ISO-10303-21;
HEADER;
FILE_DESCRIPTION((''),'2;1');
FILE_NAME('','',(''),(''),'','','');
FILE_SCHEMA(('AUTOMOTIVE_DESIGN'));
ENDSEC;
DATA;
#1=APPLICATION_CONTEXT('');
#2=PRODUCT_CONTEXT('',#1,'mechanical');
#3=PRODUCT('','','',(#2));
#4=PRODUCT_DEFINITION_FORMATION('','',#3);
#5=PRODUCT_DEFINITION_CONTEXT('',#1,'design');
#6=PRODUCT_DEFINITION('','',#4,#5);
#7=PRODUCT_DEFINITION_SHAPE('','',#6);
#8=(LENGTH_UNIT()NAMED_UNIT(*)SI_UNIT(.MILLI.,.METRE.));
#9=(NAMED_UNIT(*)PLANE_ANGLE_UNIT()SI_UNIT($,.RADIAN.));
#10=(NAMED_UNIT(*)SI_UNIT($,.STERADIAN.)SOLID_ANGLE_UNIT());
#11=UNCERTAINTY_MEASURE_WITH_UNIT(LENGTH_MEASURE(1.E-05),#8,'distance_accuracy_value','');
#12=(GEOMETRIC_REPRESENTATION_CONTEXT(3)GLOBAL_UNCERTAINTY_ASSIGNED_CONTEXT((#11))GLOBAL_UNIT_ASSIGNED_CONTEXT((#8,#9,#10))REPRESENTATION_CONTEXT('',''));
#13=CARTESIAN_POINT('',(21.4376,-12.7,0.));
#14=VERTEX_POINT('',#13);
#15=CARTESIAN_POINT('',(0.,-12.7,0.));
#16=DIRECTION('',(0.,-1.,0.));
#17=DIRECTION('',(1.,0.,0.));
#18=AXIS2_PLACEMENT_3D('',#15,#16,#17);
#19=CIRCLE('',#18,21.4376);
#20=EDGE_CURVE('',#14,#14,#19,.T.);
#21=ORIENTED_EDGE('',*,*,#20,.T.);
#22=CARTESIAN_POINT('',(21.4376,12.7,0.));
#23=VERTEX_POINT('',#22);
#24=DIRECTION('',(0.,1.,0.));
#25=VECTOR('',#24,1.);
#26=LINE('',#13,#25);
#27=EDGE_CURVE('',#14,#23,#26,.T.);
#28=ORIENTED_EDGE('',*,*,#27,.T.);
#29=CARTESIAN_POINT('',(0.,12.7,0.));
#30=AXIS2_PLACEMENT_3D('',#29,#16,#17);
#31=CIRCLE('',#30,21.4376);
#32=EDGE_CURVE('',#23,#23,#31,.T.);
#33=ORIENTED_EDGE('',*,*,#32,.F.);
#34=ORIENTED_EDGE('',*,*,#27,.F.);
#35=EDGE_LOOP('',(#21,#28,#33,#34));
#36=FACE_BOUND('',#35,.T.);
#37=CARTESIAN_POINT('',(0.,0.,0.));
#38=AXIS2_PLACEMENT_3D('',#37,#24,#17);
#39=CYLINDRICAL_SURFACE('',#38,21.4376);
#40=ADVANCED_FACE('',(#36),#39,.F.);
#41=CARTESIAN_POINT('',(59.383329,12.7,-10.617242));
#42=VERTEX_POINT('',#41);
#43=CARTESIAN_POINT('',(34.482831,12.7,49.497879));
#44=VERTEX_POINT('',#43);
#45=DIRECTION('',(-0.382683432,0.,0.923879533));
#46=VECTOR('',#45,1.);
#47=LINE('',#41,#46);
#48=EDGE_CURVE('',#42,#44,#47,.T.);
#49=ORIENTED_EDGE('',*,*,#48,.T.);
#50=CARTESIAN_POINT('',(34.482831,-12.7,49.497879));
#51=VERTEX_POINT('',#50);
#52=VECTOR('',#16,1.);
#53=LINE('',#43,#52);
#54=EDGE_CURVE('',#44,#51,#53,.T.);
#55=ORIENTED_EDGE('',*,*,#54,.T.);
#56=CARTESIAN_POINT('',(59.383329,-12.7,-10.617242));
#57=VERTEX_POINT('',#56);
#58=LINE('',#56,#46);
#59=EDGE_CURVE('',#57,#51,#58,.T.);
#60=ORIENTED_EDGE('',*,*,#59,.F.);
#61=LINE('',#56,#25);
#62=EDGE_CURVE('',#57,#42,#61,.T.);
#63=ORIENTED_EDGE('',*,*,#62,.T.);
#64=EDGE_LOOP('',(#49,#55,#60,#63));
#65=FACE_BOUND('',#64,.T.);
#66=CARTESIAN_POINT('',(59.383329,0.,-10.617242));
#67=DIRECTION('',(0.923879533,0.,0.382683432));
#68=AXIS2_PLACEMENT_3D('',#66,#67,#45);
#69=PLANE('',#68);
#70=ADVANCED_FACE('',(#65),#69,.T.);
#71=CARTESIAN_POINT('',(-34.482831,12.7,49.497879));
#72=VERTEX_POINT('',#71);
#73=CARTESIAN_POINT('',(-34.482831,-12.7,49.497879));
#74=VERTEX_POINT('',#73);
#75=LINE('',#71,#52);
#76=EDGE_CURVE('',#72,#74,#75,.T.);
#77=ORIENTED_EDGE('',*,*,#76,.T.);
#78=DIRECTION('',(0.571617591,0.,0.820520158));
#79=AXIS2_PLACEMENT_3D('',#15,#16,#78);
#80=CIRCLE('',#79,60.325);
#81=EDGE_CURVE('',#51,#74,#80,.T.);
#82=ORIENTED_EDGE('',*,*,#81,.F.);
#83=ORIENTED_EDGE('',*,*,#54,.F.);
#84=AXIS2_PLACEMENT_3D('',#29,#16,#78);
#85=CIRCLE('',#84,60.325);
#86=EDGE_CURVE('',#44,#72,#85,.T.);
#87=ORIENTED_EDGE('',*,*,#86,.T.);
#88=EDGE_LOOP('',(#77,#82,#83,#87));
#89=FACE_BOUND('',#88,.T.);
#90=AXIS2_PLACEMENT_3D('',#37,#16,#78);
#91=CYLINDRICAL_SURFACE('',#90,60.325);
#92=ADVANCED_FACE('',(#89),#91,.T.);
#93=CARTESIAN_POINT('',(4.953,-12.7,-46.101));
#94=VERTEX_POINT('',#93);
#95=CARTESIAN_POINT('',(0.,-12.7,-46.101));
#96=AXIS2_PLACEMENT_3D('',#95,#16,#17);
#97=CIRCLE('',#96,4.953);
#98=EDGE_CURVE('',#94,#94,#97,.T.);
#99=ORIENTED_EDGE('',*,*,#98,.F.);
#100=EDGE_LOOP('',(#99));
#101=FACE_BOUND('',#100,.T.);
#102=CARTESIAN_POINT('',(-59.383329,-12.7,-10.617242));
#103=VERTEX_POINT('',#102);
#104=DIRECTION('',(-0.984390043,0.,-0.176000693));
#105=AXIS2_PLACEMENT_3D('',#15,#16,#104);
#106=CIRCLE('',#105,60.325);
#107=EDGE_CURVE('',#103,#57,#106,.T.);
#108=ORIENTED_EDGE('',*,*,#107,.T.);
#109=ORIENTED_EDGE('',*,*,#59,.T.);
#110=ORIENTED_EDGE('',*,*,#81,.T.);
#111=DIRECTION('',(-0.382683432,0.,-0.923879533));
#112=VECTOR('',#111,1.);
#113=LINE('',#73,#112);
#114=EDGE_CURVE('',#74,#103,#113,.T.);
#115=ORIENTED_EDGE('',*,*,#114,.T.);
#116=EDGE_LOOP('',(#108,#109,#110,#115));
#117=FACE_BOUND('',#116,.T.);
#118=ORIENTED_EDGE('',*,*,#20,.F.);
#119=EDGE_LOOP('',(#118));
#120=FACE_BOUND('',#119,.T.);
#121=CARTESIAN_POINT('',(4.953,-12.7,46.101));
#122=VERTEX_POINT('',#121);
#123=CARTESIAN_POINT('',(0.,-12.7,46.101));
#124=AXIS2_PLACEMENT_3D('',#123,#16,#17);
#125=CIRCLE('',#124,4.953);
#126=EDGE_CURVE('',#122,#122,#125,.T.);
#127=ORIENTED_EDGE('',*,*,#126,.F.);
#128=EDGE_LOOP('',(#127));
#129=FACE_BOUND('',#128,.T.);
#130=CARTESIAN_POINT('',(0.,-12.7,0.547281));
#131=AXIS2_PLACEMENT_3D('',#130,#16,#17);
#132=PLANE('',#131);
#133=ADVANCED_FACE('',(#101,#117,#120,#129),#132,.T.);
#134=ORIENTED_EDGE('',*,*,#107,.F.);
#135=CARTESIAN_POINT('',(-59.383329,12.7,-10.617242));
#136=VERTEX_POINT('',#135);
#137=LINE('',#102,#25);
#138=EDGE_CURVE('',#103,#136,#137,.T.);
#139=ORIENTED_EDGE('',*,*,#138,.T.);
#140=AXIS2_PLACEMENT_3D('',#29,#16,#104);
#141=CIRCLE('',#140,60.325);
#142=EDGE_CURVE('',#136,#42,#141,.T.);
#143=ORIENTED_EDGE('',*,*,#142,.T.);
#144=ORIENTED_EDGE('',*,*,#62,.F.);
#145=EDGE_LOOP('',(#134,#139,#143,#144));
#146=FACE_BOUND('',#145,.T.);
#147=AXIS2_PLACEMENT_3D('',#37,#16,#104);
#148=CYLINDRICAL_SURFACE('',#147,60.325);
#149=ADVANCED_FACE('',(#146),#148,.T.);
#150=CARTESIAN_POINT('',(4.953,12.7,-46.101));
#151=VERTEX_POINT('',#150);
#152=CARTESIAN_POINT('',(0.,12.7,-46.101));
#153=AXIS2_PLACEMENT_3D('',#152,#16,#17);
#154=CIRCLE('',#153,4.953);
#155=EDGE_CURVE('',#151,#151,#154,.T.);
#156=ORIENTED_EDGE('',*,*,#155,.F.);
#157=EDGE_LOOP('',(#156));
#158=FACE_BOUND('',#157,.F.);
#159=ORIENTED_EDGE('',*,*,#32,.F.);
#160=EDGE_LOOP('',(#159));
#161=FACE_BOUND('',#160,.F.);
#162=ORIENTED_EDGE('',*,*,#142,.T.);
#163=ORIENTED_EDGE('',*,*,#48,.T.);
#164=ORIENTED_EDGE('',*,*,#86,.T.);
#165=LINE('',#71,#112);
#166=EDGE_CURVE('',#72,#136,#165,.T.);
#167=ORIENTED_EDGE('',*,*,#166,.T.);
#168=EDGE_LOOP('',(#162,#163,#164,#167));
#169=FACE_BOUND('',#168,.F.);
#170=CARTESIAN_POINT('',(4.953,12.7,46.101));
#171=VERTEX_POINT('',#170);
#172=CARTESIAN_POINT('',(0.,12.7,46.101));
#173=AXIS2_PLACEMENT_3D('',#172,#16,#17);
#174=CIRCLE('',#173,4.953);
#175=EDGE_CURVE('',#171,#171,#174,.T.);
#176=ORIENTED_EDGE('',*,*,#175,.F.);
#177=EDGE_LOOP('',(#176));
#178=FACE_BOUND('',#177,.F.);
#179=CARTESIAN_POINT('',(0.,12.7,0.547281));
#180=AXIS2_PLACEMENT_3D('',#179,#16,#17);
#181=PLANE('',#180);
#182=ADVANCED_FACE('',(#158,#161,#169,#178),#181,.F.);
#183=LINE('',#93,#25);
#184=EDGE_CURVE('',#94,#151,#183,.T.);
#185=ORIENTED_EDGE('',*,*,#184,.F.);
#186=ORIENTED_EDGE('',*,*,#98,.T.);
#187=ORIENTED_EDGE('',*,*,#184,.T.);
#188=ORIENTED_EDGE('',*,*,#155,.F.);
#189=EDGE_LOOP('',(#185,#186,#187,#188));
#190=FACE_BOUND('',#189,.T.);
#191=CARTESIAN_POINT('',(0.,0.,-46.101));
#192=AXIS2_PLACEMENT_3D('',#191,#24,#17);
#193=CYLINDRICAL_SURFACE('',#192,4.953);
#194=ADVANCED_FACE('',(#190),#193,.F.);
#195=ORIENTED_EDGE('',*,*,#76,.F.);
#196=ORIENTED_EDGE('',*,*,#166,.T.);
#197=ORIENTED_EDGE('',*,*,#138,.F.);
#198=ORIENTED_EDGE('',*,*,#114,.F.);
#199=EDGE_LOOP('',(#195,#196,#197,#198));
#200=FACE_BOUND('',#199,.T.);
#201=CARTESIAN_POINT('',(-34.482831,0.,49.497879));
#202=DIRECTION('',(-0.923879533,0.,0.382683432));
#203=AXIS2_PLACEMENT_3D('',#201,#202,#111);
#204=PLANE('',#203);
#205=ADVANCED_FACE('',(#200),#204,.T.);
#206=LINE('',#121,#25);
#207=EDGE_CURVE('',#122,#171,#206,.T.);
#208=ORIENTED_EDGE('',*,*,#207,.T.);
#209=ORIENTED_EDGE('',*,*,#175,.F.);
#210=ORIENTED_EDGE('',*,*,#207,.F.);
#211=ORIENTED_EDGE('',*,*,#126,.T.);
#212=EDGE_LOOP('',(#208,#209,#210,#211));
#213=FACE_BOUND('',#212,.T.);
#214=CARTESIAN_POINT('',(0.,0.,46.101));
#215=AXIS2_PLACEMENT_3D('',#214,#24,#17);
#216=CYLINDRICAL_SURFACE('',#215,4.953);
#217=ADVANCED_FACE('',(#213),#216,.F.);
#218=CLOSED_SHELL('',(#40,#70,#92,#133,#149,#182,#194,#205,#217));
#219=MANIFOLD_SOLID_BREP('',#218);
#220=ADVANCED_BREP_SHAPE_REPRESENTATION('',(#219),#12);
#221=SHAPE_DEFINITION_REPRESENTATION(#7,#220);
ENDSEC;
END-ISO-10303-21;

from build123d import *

# Parameters (mm, degrees)
F0_R     = 4.953
F0_R_2   = 21.4376
F1_DEPTH = 12.7


with BuildPart() as f1:
    # F0 (on Front) → F1 (new body, symmetric)
    with BuildSketch(Plane.XZ):
        with BuildLine():
            Line((59.3833293236, -10.6172418004), (34.4828311796, 49.4978785287))
            ThreePointArc((34.4828311796, 49.4978785287), (0, 60.325), (-34.4828311796, 49.4978785287))
            Line((-34.4828311796, 49.4978785287), (-59.3833293236, -10.6172418004))
            ThreePointArc((-59.3833293236, -10.6172418004), (0, -60.325), (59.3833293236, -10.6172418004))
        make_face()
        with Locations((0, -46.101)):
            Circle(F0_R, mode=Mode.SUBTRACT)
        Circle(F0_R_2, mode=Mode.SUBTRACT)
        with Locations((0, 46.101)):
            Circle(F0_R, mode=Mode.SUBTRACT)
    extrude(amount=F1_DEPTH, both=True)


solid = f1.part
